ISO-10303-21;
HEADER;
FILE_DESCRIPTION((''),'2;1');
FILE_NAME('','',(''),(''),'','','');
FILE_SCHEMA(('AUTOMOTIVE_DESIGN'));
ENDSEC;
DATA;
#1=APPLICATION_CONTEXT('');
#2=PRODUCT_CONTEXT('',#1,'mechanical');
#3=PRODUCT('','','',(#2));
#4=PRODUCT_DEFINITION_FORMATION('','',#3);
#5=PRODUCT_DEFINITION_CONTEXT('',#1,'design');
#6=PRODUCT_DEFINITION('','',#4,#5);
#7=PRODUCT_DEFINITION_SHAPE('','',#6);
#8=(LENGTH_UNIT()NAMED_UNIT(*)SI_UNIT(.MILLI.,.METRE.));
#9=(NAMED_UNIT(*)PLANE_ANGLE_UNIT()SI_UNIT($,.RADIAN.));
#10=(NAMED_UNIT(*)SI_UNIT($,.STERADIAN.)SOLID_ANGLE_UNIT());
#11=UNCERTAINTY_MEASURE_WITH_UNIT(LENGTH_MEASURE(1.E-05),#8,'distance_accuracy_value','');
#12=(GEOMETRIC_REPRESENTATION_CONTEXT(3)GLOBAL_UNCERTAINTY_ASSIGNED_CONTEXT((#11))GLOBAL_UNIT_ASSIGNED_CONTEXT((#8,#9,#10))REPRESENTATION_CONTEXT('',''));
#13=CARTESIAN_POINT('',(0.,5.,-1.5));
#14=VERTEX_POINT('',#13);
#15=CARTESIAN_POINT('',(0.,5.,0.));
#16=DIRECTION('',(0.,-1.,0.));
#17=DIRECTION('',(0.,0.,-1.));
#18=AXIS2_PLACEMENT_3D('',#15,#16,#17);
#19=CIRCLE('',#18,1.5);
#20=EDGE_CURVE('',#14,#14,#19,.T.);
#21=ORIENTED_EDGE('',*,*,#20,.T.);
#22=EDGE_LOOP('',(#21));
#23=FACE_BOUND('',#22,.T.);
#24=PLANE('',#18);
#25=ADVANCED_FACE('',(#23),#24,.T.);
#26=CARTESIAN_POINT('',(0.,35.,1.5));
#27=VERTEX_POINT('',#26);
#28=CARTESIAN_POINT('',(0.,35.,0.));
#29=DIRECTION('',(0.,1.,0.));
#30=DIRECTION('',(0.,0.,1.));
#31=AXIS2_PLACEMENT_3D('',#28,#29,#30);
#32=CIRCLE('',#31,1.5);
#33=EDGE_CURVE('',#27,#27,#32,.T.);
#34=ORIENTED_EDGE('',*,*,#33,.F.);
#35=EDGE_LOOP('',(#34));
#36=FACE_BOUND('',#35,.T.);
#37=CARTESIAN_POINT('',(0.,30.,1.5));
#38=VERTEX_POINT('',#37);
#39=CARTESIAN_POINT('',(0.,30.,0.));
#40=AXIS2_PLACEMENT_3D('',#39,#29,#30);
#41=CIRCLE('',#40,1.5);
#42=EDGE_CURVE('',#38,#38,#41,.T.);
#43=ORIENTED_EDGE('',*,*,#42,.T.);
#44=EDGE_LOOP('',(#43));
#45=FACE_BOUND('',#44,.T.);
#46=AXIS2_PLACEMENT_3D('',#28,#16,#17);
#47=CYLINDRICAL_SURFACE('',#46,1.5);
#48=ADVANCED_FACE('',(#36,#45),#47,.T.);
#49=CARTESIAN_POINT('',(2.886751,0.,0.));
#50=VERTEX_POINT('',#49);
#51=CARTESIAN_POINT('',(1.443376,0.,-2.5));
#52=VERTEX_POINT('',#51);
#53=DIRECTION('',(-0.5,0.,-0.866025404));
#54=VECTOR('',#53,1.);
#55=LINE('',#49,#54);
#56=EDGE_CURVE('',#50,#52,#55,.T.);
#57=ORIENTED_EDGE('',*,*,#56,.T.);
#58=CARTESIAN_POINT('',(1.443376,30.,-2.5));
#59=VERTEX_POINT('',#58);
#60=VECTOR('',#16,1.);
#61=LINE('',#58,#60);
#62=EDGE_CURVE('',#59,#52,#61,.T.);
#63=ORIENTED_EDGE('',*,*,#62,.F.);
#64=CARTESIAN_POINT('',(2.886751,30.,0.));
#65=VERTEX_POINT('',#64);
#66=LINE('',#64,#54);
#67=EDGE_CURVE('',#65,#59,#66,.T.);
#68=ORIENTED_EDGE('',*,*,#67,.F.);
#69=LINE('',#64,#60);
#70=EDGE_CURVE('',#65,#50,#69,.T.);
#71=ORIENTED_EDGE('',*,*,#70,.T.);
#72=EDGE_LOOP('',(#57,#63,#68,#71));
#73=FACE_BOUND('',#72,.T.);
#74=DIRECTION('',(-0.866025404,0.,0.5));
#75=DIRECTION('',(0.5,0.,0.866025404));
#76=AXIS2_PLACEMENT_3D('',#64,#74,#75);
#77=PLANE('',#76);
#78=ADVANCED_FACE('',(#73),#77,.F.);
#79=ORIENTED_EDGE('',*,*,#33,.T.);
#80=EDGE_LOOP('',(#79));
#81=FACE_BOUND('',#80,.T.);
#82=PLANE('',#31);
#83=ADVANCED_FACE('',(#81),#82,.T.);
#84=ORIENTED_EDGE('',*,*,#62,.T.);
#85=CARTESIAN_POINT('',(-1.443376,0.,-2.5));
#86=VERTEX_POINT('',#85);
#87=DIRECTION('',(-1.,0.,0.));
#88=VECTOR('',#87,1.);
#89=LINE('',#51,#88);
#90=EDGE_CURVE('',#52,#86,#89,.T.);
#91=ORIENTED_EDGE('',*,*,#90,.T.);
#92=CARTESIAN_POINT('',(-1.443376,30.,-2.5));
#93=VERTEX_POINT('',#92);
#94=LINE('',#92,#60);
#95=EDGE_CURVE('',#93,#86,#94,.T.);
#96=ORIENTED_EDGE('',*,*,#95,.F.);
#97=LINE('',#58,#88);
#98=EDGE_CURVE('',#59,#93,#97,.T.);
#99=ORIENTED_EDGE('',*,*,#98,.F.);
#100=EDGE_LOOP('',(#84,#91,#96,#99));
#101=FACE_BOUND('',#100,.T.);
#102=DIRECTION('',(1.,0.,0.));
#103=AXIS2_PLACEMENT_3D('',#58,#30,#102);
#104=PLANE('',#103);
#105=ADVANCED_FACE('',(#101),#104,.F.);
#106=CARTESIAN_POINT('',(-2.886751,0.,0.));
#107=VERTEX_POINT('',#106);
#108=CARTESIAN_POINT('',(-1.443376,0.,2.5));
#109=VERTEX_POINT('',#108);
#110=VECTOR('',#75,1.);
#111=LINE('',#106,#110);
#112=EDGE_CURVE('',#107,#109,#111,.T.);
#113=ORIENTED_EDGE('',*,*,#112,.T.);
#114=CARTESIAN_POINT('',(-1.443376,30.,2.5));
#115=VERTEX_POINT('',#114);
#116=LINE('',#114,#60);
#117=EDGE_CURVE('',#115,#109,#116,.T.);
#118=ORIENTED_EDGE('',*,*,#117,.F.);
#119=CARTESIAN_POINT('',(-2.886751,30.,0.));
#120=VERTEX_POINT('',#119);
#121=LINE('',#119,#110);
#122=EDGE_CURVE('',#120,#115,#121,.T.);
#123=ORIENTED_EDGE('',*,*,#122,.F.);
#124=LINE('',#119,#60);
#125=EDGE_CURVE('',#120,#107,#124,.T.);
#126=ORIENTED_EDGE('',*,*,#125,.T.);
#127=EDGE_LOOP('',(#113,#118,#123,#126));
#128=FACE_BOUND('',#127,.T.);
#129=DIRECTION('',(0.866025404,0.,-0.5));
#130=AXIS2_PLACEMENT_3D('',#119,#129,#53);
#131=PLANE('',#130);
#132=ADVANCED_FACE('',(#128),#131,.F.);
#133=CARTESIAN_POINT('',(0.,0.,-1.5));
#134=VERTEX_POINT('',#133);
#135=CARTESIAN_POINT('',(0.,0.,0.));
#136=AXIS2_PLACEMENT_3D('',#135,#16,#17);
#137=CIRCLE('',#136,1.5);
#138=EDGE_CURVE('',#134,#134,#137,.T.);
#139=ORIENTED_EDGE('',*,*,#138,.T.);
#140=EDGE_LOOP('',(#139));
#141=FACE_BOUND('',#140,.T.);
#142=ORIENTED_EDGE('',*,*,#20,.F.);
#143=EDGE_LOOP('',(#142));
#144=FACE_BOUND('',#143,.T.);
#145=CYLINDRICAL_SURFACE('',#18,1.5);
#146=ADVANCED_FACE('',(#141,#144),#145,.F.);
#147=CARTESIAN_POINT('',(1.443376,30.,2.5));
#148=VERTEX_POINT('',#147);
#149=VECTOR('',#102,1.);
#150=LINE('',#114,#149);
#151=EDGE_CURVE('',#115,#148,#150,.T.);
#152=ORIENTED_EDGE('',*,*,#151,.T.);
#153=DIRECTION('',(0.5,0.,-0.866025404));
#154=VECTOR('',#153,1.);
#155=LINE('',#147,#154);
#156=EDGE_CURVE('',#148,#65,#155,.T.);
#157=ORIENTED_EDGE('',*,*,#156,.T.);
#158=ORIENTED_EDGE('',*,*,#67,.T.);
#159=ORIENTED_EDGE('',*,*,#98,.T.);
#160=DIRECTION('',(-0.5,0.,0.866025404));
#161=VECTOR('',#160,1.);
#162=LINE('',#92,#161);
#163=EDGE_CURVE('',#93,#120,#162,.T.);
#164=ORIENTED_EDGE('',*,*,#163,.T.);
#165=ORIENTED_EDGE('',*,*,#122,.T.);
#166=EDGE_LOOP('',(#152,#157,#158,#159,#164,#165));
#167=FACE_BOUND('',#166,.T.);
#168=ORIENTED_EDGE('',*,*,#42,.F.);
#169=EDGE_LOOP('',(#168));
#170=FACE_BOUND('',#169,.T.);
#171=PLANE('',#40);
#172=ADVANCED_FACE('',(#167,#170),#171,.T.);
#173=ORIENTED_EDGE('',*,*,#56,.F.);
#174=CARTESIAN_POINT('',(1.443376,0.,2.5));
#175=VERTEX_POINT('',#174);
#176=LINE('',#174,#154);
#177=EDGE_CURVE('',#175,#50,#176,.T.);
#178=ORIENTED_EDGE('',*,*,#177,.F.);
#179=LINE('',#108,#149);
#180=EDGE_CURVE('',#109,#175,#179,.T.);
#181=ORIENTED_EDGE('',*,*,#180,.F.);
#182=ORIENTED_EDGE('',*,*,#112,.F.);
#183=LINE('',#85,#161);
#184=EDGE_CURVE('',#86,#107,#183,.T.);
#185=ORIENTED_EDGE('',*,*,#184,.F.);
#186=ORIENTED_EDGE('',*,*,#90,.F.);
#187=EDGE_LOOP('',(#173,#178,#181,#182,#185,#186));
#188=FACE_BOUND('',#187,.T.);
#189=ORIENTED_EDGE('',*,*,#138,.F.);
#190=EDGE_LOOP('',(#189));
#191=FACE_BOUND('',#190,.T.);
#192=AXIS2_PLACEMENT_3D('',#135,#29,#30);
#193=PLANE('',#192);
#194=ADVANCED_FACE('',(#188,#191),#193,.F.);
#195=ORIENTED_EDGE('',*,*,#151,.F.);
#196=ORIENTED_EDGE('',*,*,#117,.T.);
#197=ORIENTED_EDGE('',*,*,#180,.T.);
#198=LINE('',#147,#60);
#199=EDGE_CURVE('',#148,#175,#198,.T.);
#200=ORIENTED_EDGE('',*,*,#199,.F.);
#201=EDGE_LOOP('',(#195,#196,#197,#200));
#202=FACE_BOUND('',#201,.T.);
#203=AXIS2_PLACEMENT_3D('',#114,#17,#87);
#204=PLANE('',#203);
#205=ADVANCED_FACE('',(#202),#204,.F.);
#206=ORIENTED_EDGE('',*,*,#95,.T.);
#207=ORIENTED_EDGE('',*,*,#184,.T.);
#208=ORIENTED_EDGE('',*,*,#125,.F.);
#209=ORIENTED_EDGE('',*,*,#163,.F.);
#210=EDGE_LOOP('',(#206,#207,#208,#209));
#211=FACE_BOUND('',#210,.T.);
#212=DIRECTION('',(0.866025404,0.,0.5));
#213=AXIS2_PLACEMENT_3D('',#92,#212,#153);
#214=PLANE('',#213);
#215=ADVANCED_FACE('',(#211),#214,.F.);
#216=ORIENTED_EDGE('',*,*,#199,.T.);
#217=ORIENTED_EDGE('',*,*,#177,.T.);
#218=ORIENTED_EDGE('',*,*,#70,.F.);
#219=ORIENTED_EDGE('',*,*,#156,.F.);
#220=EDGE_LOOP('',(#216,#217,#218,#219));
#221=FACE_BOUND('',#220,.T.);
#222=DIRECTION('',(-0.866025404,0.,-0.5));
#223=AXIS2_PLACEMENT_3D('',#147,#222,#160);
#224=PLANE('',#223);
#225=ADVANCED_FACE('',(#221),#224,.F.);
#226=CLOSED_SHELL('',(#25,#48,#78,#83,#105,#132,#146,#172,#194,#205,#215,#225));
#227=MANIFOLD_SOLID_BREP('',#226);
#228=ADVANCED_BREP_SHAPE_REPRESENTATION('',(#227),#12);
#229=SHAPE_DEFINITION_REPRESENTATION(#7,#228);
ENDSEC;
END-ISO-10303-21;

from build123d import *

# Parameters (mm, degrees)
EXTRUDE_1_DEPTH     = 30
SKETCH_2_R          = 1.5
EXTRUDE_2_DEPTH     = 5
SKETCH_3_R          = 1.5
CUT_EXTRUDE_1_DEPTH = 5


with BuildPart() as part:
    # 草圖1 → 填料-伸長1 (new body)
    with BuildSketch(Plane(origin=(0, 0, 0), x_dir=(1, 0, 0), z_dir=(0, 1, 0))):
        Polygon((2.886751346, 0), (1.443375673, 2.5), (-1.443375673, 2.5), (-2.886751346, 0), (-1.443375673, -2.5), (1.443375673, -2.5), align=None)
    extrude(amount=EXTRUDE_1_DEPTH)

    # 草圖2 → 填料-伸長2 (add)
    with BuildSketch(Plane(origin=(0, 30, 0), x_dir=(1, 0, 0), z_dir=(0, 1, 0))):
        Circle(SKETCH_2_R)
    extrude(amount=EXTRUDE_2_DEPTH)

    # 草圖3 → 除料-伸長1 (cut)
    with BuildSketch(Plane.XZ):
        Circle(SKETCH_3_R)
    extrude(amount=-CUT_EXTRUDE_1_DEPTH, mode=Mode.SUBTRACT)


solid = part.part
